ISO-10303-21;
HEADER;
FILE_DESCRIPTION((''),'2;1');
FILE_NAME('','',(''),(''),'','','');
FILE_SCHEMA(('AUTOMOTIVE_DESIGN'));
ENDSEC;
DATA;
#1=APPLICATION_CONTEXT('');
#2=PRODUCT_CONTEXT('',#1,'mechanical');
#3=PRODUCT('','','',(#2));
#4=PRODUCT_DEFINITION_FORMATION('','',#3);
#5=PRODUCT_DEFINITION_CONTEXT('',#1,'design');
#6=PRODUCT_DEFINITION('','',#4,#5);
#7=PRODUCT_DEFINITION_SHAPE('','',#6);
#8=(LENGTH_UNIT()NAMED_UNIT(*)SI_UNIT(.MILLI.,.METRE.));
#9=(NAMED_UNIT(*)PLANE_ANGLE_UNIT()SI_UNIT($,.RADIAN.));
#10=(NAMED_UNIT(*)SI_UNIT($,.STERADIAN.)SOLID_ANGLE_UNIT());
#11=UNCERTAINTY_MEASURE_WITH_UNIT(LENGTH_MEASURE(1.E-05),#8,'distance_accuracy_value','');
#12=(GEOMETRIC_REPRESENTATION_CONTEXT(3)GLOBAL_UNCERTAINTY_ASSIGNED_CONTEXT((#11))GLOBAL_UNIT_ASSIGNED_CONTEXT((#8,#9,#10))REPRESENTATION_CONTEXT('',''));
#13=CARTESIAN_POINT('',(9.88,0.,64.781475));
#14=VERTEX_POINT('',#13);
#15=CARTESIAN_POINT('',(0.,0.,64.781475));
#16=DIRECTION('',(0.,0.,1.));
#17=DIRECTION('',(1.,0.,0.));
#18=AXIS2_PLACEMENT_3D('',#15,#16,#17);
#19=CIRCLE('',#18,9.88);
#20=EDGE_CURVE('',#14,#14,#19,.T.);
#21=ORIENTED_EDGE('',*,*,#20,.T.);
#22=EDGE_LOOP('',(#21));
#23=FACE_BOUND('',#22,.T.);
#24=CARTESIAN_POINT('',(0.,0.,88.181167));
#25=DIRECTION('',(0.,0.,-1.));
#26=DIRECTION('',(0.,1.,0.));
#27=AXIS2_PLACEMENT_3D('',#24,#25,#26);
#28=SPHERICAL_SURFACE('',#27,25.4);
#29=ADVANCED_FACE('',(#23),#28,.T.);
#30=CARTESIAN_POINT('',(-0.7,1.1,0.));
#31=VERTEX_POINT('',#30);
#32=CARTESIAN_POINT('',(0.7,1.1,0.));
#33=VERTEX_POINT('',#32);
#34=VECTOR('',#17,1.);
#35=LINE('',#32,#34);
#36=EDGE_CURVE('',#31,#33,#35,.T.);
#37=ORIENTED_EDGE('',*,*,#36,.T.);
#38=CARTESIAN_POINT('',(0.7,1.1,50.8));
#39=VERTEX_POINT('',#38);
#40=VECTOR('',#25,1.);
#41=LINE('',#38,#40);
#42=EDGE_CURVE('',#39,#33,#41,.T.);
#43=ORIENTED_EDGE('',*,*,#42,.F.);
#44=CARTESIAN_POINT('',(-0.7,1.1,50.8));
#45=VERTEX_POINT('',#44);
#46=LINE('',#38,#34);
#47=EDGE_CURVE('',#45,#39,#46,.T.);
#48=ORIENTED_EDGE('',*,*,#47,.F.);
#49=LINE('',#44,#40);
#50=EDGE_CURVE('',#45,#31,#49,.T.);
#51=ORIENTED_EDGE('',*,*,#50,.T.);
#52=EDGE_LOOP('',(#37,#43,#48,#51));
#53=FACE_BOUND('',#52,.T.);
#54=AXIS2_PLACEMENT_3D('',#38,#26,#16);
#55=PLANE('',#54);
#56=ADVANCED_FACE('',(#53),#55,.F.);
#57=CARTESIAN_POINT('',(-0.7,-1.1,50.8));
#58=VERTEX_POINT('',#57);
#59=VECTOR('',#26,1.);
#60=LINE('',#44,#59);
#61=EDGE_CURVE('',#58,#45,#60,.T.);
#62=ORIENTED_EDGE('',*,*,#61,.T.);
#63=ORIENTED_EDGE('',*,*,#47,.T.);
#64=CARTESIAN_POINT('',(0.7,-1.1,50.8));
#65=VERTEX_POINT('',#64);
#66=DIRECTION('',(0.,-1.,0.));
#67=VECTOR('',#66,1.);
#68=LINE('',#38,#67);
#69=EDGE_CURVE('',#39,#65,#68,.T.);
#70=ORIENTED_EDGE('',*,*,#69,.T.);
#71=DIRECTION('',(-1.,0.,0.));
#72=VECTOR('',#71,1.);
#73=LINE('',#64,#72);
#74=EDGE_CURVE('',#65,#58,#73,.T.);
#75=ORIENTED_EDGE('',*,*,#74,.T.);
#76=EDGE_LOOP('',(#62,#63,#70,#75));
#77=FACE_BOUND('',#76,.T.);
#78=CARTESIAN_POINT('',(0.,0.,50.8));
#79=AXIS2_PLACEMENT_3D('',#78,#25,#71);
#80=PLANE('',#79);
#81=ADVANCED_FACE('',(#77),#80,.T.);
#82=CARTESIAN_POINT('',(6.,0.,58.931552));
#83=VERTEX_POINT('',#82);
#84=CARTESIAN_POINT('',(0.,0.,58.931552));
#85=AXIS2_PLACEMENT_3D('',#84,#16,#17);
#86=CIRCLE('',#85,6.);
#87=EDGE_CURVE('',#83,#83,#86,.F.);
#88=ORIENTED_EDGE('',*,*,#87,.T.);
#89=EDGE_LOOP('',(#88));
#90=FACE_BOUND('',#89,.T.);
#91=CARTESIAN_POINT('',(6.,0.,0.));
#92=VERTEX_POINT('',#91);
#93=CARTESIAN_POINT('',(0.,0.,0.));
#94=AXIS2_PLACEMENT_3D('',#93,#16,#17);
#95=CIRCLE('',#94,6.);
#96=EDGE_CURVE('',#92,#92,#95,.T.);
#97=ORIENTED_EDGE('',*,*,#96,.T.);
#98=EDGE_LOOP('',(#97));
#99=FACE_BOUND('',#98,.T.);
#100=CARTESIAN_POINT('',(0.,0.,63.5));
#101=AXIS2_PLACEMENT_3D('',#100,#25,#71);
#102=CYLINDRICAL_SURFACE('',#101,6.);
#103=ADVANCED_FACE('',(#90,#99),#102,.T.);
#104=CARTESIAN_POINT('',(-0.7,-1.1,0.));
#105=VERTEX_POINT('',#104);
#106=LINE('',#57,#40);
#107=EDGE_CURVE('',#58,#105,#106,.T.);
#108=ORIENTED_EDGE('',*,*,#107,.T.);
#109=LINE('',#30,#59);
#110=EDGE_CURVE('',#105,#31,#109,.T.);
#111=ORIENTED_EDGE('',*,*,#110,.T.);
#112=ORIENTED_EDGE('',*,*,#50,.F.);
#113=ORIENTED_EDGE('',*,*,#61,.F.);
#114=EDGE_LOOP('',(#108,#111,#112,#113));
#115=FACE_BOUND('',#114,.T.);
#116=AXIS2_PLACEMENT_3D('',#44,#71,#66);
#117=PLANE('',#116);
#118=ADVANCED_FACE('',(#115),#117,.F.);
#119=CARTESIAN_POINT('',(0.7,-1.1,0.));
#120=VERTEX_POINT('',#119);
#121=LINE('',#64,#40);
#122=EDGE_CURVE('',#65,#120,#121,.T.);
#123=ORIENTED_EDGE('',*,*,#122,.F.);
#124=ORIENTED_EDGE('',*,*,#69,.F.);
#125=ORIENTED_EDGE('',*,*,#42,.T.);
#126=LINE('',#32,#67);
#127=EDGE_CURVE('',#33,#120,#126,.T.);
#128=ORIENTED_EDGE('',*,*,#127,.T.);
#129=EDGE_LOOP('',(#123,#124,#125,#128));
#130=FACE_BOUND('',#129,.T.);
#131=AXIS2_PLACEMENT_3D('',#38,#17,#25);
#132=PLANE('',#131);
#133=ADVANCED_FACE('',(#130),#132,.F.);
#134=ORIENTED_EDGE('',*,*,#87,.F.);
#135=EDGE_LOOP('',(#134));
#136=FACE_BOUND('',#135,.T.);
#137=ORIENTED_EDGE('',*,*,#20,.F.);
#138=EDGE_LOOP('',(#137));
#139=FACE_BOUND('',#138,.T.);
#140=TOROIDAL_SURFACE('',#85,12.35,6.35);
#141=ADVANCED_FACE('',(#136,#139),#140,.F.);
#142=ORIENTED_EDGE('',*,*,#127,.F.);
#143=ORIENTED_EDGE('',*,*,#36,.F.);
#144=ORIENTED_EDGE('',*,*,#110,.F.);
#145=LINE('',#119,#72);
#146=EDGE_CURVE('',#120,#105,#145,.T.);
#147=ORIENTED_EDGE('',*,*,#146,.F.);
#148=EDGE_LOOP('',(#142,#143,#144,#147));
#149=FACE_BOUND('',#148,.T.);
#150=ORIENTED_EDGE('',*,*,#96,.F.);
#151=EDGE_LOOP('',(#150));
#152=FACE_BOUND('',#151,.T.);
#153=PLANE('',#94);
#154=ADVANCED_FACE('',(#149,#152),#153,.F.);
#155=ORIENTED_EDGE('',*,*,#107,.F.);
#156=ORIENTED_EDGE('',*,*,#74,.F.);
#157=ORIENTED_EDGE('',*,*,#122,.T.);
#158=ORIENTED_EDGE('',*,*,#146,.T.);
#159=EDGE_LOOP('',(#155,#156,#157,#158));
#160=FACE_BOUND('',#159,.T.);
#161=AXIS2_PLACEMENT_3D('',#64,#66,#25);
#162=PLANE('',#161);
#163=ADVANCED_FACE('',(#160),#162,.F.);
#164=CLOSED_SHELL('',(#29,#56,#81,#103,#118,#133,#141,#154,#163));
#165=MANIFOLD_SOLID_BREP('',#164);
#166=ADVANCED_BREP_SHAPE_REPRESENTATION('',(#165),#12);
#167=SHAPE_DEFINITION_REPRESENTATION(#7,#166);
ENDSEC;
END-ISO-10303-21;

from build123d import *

# Parameters (mm, degrees)
SKETCH1_R           = 6
BOSS_EXTRUDE1_DEPTH = 63.5
SKETCH3_W           = 1.4
SKETCH3_H           = 2.2
CUT_EXTRUDE1_DEPTH  = 50.8
FILLET1_R           = 6.35


with BuildPart() as part:
    # Sketch1 → Boss-Extrude1 (new body)
    with BuildSketch(Plane.XY):
        Circle(SKETCH1_R)
    extrude(amount=BOSS_EXTRUDE1_DEPTH)

    # Sketch2 → Revolve1 (revolve)
    with BuildSketch(Plane(origin=(0, 0, 0), x_dir=(0, 0, -1), z_dir=(1, 0, 0))):
        with BuildLine():
            Line((-63.5, 0), (-113.581166909, 0))
            ThreePointArc((-113.581166909, 0), (-91.202620244, 25.21965146), (-63.5, 6))
            Line((-63.5, 6), (-63.5, 0))
        make_face()
    revolve(axis=Axis((0, 0, 63.5), (0, 0, 1)))

    # Sketch3 → Cut-Extrude1 (cut)
    with BuildSketch(Plane(origin=(0, 0, 0), x_dir=(-1, 0, 0), z_dir=(0, 0, -1))):
        Rectangle(SKETCH3_W, SKETCH3_H)
    extrude(amount=-CUT_EXTRUDE1_DEPTH, mode=Mode.SUBTRACT)

    # Fillet1
    fillet1_edges = [part.edges().sort_by_distance(p)[0] for p in [
        (-4.242640687, -4.242640687, 63.5),
    ]]
    fillet(fillet1_edges, radius=FILLET1_R)


solid = part.part
